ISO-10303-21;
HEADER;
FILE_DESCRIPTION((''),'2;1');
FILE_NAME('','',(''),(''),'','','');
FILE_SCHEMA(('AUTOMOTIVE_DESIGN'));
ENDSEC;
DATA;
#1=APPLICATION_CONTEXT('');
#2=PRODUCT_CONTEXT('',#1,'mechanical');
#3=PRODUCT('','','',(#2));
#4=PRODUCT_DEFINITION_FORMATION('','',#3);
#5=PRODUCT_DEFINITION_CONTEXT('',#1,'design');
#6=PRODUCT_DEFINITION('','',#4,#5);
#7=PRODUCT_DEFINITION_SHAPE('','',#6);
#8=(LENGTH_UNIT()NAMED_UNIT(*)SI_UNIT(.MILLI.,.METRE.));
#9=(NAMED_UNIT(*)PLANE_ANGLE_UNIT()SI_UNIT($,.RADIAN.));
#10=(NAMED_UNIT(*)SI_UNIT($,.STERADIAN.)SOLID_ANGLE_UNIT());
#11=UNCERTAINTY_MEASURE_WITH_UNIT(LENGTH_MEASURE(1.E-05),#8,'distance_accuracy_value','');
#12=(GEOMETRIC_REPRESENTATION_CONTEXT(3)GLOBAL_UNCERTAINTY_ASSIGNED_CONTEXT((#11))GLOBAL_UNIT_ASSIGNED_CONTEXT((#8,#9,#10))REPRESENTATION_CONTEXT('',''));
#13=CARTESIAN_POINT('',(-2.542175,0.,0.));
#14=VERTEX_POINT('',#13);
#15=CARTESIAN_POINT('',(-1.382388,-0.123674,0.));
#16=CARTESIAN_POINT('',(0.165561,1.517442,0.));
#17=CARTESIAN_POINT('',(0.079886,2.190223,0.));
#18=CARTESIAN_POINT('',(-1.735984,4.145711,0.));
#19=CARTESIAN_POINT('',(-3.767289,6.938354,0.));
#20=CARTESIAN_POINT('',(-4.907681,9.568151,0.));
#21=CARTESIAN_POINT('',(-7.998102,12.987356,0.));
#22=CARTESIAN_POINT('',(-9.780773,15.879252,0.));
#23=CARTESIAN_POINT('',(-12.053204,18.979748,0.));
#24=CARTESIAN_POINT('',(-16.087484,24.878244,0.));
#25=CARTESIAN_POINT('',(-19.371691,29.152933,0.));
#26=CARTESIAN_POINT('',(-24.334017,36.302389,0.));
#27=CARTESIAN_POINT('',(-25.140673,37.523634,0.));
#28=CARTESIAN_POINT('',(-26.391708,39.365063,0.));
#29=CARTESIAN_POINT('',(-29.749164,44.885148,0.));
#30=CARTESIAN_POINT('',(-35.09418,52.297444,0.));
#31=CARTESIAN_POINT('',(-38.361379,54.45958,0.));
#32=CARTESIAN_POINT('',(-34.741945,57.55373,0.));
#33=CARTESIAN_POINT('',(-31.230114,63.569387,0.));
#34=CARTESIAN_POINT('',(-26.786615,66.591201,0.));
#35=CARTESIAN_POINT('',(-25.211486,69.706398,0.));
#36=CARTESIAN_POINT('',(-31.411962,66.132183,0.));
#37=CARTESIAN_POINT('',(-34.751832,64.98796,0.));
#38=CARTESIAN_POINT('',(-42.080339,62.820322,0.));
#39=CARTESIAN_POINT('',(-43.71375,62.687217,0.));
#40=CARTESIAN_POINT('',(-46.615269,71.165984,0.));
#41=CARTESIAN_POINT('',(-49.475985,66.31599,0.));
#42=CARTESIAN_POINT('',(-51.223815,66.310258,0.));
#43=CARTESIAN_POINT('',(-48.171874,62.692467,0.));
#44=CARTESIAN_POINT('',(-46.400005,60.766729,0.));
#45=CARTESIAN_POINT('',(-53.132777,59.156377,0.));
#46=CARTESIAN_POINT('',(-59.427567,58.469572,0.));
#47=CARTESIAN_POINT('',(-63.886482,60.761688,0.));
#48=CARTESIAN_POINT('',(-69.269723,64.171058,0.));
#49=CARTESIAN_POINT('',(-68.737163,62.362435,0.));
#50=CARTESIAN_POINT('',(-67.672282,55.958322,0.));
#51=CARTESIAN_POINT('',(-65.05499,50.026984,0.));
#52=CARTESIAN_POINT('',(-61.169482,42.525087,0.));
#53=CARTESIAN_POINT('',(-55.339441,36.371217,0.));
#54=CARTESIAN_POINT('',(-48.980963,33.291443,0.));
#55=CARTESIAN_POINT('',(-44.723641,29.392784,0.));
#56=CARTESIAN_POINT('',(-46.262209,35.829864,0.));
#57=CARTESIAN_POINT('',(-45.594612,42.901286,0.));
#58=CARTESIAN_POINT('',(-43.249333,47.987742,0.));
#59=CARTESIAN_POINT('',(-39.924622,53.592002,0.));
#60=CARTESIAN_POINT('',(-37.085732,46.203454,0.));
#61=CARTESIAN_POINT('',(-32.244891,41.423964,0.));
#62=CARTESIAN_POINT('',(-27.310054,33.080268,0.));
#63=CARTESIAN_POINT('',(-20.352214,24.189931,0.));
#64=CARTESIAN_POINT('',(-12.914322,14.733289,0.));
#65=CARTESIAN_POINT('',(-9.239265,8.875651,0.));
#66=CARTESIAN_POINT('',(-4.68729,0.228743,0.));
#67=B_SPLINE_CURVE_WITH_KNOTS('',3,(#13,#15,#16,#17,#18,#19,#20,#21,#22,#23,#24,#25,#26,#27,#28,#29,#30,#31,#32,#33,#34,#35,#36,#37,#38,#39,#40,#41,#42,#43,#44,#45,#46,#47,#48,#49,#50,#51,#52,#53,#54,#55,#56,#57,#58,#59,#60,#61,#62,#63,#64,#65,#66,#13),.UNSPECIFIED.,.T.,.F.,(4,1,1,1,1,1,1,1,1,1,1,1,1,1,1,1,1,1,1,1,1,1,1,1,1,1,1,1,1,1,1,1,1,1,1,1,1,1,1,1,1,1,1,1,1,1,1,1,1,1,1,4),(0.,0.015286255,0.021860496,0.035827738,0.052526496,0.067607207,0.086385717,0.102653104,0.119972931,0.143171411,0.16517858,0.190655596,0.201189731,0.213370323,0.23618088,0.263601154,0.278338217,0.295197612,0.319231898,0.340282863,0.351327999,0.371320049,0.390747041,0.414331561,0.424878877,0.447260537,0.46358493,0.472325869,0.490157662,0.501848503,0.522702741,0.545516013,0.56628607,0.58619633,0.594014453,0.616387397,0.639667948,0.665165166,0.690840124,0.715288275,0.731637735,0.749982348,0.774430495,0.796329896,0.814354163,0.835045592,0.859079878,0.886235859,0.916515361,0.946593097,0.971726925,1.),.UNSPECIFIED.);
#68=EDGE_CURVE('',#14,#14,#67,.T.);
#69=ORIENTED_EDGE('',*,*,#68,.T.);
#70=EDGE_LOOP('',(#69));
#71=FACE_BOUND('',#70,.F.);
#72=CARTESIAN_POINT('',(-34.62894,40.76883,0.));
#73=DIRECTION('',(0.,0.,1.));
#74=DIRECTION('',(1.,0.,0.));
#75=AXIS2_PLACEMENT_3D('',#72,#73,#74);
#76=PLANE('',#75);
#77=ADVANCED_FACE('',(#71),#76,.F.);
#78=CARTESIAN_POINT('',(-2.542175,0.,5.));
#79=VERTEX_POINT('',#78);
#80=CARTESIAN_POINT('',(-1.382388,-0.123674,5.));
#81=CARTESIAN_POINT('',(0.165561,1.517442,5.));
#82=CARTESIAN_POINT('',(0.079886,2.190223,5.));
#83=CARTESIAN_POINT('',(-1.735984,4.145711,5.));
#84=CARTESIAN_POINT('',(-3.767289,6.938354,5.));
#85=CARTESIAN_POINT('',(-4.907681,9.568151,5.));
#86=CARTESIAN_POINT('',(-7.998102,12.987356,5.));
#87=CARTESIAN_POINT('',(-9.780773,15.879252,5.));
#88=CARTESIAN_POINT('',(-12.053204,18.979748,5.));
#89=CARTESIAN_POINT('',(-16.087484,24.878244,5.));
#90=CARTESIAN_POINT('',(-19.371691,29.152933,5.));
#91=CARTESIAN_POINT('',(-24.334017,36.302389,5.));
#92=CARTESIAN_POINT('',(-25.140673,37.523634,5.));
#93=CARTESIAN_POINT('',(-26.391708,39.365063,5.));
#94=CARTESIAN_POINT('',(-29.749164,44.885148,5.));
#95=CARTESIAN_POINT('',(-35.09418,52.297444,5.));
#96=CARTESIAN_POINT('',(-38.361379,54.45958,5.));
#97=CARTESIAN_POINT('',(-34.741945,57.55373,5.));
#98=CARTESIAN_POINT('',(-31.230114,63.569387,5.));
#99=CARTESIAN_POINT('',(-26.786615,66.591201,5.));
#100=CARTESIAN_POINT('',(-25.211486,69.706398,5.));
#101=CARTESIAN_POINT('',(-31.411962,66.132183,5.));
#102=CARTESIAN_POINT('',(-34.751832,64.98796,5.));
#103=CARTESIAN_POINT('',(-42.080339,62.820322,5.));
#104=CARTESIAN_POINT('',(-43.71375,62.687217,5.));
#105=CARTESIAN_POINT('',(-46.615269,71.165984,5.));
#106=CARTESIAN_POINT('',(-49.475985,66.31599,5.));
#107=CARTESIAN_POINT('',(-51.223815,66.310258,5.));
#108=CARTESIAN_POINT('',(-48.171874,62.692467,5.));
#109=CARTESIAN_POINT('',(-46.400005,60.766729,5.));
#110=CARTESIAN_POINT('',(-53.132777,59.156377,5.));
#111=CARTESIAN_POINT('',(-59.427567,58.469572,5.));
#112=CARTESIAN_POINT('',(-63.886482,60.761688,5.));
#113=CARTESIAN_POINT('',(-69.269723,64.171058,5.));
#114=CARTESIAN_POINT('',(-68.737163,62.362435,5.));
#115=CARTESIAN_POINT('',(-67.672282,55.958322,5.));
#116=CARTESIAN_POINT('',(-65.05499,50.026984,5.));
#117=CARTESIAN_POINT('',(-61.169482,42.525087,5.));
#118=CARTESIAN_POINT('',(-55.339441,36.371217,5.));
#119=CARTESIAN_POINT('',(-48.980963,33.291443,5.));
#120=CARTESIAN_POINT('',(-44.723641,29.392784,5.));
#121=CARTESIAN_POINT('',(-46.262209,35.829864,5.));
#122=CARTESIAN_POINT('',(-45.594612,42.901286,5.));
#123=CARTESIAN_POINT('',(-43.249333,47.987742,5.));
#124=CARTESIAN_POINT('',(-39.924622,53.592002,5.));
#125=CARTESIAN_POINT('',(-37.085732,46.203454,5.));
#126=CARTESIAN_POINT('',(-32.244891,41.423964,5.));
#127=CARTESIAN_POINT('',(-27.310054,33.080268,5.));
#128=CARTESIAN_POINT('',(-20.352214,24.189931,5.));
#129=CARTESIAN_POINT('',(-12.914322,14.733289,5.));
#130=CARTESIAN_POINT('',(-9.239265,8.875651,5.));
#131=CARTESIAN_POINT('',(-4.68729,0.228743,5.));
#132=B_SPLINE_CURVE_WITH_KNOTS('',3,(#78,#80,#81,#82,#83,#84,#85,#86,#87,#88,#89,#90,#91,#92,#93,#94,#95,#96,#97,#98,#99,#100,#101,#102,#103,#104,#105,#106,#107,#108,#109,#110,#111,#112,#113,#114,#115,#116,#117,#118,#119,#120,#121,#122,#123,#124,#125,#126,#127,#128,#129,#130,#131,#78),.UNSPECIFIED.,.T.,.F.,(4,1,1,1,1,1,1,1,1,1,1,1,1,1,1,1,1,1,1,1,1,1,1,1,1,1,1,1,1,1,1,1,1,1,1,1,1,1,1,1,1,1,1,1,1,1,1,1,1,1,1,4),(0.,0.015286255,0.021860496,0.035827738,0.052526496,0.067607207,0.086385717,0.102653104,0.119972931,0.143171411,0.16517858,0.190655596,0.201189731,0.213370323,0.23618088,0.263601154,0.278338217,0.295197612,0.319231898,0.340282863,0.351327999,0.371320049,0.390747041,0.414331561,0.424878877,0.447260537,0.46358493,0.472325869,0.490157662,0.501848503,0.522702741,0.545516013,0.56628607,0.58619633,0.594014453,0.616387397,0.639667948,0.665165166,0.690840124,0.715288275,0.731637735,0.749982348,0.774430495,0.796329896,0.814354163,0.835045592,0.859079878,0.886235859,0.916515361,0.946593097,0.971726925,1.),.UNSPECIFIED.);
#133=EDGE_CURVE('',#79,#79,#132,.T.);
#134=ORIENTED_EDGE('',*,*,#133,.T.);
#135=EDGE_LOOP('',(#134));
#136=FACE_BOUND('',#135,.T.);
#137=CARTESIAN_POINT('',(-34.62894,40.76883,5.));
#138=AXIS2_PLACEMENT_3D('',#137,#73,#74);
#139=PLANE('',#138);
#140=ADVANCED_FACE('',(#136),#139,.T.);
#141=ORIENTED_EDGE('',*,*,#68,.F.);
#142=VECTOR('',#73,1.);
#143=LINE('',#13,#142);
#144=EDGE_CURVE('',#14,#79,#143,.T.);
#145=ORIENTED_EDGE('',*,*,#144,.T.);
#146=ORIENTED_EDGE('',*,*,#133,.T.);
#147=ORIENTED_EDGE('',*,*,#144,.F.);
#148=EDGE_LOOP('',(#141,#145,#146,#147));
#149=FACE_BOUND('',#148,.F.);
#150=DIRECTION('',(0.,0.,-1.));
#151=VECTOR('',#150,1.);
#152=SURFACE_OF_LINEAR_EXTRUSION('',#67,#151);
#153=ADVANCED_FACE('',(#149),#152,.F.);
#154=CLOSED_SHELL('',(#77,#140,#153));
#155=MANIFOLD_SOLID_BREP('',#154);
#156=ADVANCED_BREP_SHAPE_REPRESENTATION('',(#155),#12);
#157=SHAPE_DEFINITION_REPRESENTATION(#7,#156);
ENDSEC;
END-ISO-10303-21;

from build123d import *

# Parameters (mm, degrees)
F1_DEPTH = 5


with BuildPart() as f1:
    # F0 (on Top) → F1 (new body)
    with BuildSketch(Plane.XY):
        with BuildLine():
            add(Edge.make_bspline(
                [(-2.5421753526, 0), (-1.3823875286, -0.1236735303), (0.1655607645, 1.5174421306), (0.0798859402, 2.1902231821), (-1.7359835574, 4.1457105685), (-3.7672885636, 6.9383536143), (-4.9076813527, 9.5681507801), (-7.9981016712, 12.9873557713), (-9.7807728113, 15.8792515021), (-12.0532036306, 18.9797477507), (-16.0874843266, 24.8782435134), (-19.3716910639, 29.1529332935), (-24.3340172346, 36.3023886507), (-25.1406731404, 37.5236341826), (-26.391708416, 39.3650626109), (-29.7491643999, 44.8851478045), (-35.0941803693, 52.2974437986), (-38.3613794959, 54.4595802055), (-34.7419453394, 57.5537300461), (-31.2301140816, 63.5693869962), (-26.7866154478, 66.5912006963), (-25.2114858635, 69.7063980927), (-31.411961708, 66.1321825377), (-34.7518316016, 64.9879604216), (-42.0803393651, 62.8203218863), (-43.7137496505, 62.6872173657), (-46.615269238, 71.1659840063), (-49.4759847715, 66.3159904859), (-51.2238148163, 66.3102582527), (-48.1718741851, 62.692466882), (-46.4000049635, 60.7667287219), (-53.1327767839, 59.1563771716), (-59.4275665315, 58.4695715361), (-63.8864824038, 60.7616881298), (-69.2697233232, 64.1710577982), (-68.7371630873, 62.3624347781), (-67.6722818973, 55.9583221772), (-65.0549896561, 50.026984095), (-61.1694818441, 42.5250874493), (-55.3394412784, 36.3712168532), (-48.9809626054, 33.2914425275), (-44.7236407239, 29.3927844626), (-46.262208634, 35.8298643752), (-45.5946123034, 42.9012857844), (-43.2493334591, 47.9877423093), (-39.9246216656, 53.5920020151), (-37.0857323906, 46.2034536652), (-32.2448911304, 41.4239641387), (-27.3100544508, 33.0802675253), (-20.3522138102, 24.1899309726), (-12.9143218952, 14.7332892048), (-9.2392647241, 8.8756511345), (-4.6872899149, 0.2287434696), (-2.5421753526, 0)],
                knots=[0, 0, 0, 0, 0.0152862549, 0.0218604956, 0.0358277378, 0.0525264956, 0.0676072068, 0.0863857166, 0.1026531039, 0.1199729309, 0.1431714113, 0.1651785802, 0.1906555962, 0.2011897313, 0.2133703228, 0.2361808804, 0.2636011545, 0.2783382174, 0.2951976121, 0.3192318979, 0.3402828634, 0.3513279986, 0.3713200494, 0.3907470407, 0.4143315607, 0.4248788771, 0.4472605373, 0.4635849297, 0.4723258695, 0.4901576615, 0.5018485034, 0.5227027409, 0.5455160126, 0.5662860701, 0.5861963305, 0.5940144528, 0.6163873967, 0.6396679475, 0.665165166, 0.6908401236, 0.7152882749, 0.7316377347, 0.7499823477, 0.774430495, 0.7963298957, 0.8143541631, 0.8350455925, 0.8590798782, 0.8862358595, 0.9165153611, 0.946593097, 0.971726925, 1, 1, 1, 1], degree=3))
        make_face()
    extrude(amount=F1_DEPTH)


solid = f1.part
